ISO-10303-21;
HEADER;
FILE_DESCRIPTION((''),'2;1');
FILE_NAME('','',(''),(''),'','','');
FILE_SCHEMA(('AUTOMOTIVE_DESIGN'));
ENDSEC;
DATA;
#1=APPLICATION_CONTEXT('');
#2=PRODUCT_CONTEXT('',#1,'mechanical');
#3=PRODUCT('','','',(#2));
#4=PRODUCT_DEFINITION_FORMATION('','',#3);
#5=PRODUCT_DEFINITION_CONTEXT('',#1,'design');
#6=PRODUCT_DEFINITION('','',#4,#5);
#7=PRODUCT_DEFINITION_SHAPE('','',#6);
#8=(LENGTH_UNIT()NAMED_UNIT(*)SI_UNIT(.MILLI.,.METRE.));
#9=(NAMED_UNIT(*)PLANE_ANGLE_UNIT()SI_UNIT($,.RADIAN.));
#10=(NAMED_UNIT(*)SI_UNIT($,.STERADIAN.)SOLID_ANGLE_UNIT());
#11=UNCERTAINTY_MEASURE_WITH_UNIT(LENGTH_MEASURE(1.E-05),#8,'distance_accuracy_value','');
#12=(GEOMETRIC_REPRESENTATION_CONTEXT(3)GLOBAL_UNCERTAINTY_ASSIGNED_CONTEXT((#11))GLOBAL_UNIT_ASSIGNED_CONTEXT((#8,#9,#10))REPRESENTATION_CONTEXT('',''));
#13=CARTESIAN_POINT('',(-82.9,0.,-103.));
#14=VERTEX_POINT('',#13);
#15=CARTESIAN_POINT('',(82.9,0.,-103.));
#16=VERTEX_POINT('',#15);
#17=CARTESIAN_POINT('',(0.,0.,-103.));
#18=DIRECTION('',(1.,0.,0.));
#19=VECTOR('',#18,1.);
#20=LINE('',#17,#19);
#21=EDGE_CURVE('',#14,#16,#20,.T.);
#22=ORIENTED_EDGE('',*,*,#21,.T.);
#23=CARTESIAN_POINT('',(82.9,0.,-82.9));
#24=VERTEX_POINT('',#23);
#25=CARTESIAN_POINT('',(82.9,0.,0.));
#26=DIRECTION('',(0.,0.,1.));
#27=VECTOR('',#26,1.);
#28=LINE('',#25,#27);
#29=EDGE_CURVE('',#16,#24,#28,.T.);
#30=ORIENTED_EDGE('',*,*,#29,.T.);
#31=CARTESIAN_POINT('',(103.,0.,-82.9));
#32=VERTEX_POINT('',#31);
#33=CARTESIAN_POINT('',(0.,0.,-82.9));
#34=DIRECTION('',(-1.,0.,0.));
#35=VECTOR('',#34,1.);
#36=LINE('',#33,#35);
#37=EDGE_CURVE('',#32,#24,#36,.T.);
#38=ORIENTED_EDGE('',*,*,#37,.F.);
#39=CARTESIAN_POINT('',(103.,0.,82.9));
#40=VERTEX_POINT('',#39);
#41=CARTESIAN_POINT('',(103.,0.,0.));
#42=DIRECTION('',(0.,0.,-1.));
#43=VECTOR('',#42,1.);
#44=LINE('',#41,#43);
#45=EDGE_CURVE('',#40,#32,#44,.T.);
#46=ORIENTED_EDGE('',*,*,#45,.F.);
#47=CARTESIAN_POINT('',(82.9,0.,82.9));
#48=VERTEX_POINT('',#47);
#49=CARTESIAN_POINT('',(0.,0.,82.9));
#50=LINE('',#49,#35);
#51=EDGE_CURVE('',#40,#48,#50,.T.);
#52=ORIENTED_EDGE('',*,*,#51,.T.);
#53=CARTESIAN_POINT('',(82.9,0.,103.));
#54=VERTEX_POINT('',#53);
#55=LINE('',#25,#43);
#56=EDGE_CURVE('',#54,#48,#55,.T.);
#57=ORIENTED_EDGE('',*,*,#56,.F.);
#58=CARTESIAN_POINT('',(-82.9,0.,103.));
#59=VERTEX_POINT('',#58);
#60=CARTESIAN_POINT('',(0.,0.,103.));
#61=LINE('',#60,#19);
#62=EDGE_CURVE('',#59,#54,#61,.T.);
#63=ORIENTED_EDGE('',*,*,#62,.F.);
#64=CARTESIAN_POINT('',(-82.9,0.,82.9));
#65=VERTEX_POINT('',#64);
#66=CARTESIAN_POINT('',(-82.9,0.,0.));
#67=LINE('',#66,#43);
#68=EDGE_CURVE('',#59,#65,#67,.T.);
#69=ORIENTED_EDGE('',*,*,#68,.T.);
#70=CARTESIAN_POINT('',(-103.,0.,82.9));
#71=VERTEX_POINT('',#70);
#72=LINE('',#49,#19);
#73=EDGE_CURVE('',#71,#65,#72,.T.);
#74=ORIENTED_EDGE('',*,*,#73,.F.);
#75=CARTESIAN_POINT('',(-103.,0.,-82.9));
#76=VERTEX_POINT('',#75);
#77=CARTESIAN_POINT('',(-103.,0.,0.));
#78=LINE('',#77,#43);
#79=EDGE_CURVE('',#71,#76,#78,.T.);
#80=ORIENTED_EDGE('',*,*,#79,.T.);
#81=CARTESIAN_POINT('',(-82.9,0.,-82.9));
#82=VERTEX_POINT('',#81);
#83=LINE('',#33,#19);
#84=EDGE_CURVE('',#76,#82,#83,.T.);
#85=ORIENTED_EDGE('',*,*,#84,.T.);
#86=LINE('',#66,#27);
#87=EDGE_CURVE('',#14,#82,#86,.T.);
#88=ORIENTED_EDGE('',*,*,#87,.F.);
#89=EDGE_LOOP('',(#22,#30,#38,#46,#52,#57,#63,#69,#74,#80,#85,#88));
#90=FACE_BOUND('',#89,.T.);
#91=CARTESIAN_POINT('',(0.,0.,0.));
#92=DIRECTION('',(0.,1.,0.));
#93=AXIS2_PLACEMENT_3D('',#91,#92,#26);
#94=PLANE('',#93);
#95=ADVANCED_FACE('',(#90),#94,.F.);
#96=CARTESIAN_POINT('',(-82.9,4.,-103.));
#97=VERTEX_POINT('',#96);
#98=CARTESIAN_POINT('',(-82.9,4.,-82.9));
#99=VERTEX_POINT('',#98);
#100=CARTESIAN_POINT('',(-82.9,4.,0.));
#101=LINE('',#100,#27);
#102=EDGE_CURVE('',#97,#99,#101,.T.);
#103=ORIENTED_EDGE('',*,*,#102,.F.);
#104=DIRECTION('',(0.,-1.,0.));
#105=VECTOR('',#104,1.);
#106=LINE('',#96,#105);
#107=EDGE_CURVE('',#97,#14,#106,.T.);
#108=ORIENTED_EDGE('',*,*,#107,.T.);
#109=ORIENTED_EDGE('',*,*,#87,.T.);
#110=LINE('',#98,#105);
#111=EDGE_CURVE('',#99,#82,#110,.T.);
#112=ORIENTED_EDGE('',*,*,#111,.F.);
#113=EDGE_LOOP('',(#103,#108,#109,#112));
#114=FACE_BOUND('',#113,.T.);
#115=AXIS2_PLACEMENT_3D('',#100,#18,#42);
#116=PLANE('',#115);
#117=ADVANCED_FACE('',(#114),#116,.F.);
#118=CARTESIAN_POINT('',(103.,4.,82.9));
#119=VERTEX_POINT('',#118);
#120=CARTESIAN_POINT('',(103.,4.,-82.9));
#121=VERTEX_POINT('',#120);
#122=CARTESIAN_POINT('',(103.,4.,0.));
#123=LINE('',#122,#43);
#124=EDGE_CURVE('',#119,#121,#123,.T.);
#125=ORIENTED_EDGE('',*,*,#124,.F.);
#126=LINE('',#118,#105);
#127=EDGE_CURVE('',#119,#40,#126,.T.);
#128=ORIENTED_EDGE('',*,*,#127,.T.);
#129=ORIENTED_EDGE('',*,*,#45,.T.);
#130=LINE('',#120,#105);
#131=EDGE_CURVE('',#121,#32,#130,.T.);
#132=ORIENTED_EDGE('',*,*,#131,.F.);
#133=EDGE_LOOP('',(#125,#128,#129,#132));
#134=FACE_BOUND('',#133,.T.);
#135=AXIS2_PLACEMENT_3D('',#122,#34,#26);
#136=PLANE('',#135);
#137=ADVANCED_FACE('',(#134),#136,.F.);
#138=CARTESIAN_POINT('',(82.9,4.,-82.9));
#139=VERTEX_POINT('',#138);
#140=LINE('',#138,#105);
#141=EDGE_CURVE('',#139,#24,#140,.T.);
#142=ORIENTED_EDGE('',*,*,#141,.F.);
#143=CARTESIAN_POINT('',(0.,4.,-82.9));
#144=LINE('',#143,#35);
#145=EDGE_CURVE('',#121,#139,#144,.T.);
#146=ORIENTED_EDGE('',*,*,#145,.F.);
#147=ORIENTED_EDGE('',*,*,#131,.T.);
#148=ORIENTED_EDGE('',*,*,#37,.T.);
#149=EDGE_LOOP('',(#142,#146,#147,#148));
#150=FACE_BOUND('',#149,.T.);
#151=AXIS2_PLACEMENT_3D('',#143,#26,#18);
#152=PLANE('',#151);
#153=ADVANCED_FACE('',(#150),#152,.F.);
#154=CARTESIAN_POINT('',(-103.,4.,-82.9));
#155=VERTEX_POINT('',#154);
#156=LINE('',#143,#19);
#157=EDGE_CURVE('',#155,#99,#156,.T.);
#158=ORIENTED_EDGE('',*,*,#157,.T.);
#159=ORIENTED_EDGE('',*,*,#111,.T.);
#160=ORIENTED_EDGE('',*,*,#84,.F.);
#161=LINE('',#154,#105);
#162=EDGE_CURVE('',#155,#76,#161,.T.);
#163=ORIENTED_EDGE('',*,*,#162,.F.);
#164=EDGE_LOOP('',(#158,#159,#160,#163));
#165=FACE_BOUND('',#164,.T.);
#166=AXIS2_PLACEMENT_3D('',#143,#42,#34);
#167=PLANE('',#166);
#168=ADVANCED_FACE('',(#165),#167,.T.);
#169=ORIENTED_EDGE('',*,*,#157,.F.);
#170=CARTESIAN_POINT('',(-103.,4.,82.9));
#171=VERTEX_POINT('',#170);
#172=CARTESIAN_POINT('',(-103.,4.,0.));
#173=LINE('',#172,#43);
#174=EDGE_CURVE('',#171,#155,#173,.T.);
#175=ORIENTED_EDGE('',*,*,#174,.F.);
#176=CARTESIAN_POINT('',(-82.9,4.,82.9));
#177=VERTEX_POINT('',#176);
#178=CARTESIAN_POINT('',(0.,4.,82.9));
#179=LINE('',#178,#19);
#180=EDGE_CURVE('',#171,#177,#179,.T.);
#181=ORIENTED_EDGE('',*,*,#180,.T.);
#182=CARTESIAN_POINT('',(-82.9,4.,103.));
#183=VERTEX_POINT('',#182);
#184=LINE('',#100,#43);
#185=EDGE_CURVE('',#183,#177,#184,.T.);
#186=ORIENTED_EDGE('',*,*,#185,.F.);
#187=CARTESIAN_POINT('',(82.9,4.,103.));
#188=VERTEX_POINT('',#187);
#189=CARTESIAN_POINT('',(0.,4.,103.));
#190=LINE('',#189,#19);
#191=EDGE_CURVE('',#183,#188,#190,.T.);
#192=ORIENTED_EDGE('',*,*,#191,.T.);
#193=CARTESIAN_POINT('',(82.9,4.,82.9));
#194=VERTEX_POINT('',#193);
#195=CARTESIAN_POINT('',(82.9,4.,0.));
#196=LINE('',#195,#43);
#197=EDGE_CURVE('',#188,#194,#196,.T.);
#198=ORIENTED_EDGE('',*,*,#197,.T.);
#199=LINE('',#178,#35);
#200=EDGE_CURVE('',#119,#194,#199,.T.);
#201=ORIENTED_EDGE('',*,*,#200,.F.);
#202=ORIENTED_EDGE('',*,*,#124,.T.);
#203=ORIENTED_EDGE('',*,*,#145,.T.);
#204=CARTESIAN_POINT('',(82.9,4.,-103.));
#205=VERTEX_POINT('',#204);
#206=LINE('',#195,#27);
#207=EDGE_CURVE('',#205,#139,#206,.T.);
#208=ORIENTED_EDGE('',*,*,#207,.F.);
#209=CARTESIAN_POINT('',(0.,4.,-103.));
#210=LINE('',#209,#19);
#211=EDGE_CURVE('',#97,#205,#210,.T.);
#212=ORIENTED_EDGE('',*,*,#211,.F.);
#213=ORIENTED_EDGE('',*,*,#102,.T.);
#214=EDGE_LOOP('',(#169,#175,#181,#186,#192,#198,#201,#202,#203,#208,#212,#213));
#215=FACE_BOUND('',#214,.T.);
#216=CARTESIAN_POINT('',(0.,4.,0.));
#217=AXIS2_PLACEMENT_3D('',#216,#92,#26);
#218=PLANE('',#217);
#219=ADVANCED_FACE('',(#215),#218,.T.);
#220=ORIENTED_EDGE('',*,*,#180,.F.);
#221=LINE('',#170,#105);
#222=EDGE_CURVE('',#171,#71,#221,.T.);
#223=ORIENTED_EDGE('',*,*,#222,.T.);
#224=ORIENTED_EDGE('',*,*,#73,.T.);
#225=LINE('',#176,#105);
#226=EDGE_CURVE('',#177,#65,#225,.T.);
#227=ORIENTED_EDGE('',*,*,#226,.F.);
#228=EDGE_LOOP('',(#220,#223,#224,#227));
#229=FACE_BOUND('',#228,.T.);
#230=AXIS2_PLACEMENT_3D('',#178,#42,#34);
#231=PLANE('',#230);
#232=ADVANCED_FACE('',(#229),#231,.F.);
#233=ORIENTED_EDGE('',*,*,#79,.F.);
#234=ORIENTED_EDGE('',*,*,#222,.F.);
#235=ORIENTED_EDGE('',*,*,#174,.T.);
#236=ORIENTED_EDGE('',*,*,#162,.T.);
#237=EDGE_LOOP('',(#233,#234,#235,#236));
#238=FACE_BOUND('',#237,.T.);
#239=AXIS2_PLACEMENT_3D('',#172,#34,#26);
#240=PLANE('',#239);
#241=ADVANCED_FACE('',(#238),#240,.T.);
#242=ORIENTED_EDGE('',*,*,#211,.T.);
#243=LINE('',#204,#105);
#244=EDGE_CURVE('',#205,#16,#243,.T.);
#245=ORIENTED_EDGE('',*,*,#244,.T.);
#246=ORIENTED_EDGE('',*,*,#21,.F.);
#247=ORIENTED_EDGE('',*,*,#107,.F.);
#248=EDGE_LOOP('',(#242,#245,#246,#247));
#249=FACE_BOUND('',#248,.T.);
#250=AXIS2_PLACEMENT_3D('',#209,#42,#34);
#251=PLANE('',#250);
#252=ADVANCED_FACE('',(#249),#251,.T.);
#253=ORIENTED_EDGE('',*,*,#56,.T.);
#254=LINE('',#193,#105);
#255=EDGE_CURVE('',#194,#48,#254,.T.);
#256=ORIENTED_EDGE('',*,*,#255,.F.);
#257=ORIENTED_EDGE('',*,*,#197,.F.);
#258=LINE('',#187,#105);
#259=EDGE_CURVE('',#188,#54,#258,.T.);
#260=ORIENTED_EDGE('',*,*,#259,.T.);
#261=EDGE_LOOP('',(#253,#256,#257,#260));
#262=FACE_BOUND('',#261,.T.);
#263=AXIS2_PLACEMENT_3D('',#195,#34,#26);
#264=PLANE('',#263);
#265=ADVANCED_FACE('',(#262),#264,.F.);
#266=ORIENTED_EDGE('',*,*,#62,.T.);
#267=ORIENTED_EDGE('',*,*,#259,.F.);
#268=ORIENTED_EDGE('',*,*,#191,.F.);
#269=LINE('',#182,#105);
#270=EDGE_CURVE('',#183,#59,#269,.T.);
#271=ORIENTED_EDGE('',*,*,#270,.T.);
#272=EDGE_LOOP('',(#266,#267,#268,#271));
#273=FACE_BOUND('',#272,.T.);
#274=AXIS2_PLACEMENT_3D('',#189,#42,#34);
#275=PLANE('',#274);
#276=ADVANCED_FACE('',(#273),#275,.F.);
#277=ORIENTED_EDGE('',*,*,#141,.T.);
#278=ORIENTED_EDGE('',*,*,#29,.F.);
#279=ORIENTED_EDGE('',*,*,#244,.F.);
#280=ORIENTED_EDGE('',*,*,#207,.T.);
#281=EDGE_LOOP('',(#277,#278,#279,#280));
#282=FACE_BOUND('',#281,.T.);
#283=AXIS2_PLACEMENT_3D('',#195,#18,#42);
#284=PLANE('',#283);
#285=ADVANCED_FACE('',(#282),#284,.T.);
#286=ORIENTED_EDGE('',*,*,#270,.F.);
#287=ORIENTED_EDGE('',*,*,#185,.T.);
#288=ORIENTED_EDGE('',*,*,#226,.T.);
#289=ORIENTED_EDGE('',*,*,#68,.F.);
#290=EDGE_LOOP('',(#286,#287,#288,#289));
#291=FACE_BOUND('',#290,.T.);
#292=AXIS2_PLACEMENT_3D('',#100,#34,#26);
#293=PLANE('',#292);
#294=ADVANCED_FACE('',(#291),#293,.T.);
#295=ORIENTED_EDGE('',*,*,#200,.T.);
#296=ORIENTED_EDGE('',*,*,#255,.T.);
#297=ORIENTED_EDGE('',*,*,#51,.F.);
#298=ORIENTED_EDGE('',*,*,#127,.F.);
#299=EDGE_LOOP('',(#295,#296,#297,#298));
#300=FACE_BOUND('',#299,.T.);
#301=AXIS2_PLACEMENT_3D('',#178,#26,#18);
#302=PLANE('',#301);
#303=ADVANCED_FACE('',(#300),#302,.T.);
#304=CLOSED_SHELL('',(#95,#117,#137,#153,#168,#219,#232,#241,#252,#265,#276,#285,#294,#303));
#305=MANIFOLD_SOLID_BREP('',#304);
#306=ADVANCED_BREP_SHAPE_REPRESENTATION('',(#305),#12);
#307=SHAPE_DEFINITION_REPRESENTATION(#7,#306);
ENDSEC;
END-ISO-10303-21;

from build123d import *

# Parameters (mm, degrees)
SKETCH1_W           = 42
SKETCH1_H           = 42
BOSS_EXTRUDE1_DEPTH = 4


with BuildPart() as part:
    # Sketch1 → Boss-Extrude1 (new body)
    with BuildSketch(Plane(origin=(0, 0, 0), x_dir=(1, 0, 0), z_dir=(0, 1, 0))):
        Polygon((-82.9, -82.9), (-82.9, -103), (82.9, -103), (82.9, -82.9), (103, -82.9), (103, 82.9), (82.9, 82.9), (82.9, 103), (-82.9, 103), (-82.9, 82.9), (-103, 82.9), (-103, -82.9), align=None)
        Rectangle(SKETCH1_W, SKETCH1_H, mode=Mode.SUBTRACT)
        Rectangle(SKETCH1_W, SKETCH1_H)
    extrude(amount=BOSS_EXTRUDE1_DEPTH)


solid = part.part
